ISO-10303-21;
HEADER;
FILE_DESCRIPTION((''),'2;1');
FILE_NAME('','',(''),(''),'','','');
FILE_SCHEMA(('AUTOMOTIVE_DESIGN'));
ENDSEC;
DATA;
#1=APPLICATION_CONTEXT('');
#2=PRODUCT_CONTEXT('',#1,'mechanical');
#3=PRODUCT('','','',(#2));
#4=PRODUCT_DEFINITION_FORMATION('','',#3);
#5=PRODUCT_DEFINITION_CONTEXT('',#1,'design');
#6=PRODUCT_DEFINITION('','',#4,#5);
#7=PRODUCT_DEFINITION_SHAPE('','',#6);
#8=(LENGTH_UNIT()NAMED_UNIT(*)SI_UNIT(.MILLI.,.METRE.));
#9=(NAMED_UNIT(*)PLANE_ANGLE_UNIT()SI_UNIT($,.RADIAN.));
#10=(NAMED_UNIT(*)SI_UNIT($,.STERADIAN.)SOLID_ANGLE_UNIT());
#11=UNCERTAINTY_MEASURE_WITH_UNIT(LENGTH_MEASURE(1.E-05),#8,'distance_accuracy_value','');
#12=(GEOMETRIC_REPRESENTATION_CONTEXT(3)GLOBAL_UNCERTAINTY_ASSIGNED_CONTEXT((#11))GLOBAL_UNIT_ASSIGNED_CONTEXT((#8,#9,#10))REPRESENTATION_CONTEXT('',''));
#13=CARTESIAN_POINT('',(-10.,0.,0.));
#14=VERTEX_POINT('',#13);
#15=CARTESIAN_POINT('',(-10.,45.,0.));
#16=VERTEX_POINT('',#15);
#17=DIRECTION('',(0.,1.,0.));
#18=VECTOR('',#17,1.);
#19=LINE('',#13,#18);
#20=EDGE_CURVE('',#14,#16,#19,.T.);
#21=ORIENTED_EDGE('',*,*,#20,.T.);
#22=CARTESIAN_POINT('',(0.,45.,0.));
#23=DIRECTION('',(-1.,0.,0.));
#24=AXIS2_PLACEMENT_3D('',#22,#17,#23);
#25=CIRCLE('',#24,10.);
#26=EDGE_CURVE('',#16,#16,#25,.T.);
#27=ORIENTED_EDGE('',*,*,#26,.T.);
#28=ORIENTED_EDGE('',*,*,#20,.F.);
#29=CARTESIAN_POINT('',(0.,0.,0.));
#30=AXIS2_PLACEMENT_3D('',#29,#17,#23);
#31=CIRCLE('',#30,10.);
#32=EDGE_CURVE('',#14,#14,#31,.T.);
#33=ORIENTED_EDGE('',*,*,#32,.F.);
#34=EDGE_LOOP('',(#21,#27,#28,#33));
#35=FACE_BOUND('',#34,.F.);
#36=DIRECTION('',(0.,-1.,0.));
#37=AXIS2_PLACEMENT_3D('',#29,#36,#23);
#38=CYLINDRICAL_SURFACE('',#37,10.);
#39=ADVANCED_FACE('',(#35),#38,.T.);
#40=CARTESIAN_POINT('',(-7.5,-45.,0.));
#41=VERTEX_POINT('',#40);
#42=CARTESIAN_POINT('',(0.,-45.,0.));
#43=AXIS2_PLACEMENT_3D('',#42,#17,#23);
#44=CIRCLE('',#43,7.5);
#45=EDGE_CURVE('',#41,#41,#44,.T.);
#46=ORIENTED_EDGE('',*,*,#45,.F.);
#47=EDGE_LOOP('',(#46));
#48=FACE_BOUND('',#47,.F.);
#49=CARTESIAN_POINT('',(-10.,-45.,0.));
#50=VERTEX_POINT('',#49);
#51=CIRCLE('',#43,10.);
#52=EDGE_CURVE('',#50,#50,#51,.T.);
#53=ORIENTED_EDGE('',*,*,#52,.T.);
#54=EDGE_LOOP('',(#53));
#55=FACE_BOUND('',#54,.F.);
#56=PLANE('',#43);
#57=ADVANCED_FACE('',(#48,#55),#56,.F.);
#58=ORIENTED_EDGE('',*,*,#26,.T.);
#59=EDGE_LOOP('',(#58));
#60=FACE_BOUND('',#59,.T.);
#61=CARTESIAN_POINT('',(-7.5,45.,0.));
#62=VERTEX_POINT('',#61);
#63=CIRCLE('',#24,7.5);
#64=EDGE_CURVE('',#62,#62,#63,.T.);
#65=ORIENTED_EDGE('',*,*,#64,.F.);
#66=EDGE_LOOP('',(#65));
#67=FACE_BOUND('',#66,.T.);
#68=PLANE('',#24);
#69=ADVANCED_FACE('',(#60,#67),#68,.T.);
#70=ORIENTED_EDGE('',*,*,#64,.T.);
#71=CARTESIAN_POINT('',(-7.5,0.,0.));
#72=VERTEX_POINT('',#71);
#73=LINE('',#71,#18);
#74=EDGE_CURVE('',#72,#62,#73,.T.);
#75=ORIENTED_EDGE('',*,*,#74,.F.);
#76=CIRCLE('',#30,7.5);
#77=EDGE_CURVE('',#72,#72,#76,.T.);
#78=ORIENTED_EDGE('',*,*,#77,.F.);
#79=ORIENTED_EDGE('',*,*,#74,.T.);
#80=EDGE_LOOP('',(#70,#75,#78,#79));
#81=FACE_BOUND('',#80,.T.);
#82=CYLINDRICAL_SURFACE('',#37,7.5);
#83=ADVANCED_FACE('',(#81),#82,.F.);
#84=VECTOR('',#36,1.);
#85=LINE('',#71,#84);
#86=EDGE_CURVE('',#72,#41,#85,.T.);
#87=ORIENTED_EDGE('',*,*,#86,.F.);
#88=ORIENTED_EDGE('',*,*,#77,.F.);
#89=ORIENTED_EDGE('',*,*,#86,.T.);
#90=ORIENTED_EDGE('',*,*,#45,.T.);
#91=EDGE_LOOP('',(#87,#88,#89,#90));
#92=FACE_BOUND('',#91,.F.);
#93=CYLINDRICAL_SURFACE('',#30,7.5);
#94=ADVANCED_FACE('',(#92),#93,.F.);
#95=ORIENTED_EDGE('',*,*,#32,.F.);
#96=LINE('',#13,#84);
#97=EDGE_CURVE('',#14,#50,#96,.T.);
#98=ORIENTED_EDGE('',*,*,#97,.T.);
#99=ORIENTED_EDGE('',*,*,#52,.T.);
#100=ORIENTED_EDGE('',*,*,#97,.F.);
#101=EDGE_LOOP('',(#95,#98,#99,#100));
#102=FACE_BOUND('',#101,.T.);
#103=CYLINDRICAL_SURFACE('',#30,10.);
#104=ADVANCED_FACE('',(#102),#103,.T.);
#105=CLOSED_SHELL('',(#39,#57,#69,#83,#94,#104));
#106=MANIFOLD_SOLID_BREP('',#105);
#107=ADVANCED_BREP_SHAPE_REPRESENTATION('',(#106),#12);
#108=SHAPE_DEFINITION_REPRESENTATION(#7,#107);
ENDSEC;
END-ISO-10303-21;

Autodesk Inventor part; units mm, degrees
ref_plane "YZ Plane" through (0, 0, 0) normal (1, 0, 0) x (0, 1, 0)
ref_plane "XZ Plane" through (0, 0, 0) normal (0, 1, 0) x (-1, 0, 0)
ref_plane "XY Plane" through (0, 0, 0) normal (0, 0, 1) x (1, 0, 0)
sketch "Sketch1" plane through (0, 0, 0) normal (0, 1, 0) x (-1, 0, 0)
  circle A0 centre (0, 0) radius 10
  circle A1 centre (0, 0) radius 7.5
  dimension "d0" = 20
  dimension "d1" = 15
extrude "Extrusion1" add sketch "Sketch1" along normal mid plane 90
properties part number "gauge_pin"
